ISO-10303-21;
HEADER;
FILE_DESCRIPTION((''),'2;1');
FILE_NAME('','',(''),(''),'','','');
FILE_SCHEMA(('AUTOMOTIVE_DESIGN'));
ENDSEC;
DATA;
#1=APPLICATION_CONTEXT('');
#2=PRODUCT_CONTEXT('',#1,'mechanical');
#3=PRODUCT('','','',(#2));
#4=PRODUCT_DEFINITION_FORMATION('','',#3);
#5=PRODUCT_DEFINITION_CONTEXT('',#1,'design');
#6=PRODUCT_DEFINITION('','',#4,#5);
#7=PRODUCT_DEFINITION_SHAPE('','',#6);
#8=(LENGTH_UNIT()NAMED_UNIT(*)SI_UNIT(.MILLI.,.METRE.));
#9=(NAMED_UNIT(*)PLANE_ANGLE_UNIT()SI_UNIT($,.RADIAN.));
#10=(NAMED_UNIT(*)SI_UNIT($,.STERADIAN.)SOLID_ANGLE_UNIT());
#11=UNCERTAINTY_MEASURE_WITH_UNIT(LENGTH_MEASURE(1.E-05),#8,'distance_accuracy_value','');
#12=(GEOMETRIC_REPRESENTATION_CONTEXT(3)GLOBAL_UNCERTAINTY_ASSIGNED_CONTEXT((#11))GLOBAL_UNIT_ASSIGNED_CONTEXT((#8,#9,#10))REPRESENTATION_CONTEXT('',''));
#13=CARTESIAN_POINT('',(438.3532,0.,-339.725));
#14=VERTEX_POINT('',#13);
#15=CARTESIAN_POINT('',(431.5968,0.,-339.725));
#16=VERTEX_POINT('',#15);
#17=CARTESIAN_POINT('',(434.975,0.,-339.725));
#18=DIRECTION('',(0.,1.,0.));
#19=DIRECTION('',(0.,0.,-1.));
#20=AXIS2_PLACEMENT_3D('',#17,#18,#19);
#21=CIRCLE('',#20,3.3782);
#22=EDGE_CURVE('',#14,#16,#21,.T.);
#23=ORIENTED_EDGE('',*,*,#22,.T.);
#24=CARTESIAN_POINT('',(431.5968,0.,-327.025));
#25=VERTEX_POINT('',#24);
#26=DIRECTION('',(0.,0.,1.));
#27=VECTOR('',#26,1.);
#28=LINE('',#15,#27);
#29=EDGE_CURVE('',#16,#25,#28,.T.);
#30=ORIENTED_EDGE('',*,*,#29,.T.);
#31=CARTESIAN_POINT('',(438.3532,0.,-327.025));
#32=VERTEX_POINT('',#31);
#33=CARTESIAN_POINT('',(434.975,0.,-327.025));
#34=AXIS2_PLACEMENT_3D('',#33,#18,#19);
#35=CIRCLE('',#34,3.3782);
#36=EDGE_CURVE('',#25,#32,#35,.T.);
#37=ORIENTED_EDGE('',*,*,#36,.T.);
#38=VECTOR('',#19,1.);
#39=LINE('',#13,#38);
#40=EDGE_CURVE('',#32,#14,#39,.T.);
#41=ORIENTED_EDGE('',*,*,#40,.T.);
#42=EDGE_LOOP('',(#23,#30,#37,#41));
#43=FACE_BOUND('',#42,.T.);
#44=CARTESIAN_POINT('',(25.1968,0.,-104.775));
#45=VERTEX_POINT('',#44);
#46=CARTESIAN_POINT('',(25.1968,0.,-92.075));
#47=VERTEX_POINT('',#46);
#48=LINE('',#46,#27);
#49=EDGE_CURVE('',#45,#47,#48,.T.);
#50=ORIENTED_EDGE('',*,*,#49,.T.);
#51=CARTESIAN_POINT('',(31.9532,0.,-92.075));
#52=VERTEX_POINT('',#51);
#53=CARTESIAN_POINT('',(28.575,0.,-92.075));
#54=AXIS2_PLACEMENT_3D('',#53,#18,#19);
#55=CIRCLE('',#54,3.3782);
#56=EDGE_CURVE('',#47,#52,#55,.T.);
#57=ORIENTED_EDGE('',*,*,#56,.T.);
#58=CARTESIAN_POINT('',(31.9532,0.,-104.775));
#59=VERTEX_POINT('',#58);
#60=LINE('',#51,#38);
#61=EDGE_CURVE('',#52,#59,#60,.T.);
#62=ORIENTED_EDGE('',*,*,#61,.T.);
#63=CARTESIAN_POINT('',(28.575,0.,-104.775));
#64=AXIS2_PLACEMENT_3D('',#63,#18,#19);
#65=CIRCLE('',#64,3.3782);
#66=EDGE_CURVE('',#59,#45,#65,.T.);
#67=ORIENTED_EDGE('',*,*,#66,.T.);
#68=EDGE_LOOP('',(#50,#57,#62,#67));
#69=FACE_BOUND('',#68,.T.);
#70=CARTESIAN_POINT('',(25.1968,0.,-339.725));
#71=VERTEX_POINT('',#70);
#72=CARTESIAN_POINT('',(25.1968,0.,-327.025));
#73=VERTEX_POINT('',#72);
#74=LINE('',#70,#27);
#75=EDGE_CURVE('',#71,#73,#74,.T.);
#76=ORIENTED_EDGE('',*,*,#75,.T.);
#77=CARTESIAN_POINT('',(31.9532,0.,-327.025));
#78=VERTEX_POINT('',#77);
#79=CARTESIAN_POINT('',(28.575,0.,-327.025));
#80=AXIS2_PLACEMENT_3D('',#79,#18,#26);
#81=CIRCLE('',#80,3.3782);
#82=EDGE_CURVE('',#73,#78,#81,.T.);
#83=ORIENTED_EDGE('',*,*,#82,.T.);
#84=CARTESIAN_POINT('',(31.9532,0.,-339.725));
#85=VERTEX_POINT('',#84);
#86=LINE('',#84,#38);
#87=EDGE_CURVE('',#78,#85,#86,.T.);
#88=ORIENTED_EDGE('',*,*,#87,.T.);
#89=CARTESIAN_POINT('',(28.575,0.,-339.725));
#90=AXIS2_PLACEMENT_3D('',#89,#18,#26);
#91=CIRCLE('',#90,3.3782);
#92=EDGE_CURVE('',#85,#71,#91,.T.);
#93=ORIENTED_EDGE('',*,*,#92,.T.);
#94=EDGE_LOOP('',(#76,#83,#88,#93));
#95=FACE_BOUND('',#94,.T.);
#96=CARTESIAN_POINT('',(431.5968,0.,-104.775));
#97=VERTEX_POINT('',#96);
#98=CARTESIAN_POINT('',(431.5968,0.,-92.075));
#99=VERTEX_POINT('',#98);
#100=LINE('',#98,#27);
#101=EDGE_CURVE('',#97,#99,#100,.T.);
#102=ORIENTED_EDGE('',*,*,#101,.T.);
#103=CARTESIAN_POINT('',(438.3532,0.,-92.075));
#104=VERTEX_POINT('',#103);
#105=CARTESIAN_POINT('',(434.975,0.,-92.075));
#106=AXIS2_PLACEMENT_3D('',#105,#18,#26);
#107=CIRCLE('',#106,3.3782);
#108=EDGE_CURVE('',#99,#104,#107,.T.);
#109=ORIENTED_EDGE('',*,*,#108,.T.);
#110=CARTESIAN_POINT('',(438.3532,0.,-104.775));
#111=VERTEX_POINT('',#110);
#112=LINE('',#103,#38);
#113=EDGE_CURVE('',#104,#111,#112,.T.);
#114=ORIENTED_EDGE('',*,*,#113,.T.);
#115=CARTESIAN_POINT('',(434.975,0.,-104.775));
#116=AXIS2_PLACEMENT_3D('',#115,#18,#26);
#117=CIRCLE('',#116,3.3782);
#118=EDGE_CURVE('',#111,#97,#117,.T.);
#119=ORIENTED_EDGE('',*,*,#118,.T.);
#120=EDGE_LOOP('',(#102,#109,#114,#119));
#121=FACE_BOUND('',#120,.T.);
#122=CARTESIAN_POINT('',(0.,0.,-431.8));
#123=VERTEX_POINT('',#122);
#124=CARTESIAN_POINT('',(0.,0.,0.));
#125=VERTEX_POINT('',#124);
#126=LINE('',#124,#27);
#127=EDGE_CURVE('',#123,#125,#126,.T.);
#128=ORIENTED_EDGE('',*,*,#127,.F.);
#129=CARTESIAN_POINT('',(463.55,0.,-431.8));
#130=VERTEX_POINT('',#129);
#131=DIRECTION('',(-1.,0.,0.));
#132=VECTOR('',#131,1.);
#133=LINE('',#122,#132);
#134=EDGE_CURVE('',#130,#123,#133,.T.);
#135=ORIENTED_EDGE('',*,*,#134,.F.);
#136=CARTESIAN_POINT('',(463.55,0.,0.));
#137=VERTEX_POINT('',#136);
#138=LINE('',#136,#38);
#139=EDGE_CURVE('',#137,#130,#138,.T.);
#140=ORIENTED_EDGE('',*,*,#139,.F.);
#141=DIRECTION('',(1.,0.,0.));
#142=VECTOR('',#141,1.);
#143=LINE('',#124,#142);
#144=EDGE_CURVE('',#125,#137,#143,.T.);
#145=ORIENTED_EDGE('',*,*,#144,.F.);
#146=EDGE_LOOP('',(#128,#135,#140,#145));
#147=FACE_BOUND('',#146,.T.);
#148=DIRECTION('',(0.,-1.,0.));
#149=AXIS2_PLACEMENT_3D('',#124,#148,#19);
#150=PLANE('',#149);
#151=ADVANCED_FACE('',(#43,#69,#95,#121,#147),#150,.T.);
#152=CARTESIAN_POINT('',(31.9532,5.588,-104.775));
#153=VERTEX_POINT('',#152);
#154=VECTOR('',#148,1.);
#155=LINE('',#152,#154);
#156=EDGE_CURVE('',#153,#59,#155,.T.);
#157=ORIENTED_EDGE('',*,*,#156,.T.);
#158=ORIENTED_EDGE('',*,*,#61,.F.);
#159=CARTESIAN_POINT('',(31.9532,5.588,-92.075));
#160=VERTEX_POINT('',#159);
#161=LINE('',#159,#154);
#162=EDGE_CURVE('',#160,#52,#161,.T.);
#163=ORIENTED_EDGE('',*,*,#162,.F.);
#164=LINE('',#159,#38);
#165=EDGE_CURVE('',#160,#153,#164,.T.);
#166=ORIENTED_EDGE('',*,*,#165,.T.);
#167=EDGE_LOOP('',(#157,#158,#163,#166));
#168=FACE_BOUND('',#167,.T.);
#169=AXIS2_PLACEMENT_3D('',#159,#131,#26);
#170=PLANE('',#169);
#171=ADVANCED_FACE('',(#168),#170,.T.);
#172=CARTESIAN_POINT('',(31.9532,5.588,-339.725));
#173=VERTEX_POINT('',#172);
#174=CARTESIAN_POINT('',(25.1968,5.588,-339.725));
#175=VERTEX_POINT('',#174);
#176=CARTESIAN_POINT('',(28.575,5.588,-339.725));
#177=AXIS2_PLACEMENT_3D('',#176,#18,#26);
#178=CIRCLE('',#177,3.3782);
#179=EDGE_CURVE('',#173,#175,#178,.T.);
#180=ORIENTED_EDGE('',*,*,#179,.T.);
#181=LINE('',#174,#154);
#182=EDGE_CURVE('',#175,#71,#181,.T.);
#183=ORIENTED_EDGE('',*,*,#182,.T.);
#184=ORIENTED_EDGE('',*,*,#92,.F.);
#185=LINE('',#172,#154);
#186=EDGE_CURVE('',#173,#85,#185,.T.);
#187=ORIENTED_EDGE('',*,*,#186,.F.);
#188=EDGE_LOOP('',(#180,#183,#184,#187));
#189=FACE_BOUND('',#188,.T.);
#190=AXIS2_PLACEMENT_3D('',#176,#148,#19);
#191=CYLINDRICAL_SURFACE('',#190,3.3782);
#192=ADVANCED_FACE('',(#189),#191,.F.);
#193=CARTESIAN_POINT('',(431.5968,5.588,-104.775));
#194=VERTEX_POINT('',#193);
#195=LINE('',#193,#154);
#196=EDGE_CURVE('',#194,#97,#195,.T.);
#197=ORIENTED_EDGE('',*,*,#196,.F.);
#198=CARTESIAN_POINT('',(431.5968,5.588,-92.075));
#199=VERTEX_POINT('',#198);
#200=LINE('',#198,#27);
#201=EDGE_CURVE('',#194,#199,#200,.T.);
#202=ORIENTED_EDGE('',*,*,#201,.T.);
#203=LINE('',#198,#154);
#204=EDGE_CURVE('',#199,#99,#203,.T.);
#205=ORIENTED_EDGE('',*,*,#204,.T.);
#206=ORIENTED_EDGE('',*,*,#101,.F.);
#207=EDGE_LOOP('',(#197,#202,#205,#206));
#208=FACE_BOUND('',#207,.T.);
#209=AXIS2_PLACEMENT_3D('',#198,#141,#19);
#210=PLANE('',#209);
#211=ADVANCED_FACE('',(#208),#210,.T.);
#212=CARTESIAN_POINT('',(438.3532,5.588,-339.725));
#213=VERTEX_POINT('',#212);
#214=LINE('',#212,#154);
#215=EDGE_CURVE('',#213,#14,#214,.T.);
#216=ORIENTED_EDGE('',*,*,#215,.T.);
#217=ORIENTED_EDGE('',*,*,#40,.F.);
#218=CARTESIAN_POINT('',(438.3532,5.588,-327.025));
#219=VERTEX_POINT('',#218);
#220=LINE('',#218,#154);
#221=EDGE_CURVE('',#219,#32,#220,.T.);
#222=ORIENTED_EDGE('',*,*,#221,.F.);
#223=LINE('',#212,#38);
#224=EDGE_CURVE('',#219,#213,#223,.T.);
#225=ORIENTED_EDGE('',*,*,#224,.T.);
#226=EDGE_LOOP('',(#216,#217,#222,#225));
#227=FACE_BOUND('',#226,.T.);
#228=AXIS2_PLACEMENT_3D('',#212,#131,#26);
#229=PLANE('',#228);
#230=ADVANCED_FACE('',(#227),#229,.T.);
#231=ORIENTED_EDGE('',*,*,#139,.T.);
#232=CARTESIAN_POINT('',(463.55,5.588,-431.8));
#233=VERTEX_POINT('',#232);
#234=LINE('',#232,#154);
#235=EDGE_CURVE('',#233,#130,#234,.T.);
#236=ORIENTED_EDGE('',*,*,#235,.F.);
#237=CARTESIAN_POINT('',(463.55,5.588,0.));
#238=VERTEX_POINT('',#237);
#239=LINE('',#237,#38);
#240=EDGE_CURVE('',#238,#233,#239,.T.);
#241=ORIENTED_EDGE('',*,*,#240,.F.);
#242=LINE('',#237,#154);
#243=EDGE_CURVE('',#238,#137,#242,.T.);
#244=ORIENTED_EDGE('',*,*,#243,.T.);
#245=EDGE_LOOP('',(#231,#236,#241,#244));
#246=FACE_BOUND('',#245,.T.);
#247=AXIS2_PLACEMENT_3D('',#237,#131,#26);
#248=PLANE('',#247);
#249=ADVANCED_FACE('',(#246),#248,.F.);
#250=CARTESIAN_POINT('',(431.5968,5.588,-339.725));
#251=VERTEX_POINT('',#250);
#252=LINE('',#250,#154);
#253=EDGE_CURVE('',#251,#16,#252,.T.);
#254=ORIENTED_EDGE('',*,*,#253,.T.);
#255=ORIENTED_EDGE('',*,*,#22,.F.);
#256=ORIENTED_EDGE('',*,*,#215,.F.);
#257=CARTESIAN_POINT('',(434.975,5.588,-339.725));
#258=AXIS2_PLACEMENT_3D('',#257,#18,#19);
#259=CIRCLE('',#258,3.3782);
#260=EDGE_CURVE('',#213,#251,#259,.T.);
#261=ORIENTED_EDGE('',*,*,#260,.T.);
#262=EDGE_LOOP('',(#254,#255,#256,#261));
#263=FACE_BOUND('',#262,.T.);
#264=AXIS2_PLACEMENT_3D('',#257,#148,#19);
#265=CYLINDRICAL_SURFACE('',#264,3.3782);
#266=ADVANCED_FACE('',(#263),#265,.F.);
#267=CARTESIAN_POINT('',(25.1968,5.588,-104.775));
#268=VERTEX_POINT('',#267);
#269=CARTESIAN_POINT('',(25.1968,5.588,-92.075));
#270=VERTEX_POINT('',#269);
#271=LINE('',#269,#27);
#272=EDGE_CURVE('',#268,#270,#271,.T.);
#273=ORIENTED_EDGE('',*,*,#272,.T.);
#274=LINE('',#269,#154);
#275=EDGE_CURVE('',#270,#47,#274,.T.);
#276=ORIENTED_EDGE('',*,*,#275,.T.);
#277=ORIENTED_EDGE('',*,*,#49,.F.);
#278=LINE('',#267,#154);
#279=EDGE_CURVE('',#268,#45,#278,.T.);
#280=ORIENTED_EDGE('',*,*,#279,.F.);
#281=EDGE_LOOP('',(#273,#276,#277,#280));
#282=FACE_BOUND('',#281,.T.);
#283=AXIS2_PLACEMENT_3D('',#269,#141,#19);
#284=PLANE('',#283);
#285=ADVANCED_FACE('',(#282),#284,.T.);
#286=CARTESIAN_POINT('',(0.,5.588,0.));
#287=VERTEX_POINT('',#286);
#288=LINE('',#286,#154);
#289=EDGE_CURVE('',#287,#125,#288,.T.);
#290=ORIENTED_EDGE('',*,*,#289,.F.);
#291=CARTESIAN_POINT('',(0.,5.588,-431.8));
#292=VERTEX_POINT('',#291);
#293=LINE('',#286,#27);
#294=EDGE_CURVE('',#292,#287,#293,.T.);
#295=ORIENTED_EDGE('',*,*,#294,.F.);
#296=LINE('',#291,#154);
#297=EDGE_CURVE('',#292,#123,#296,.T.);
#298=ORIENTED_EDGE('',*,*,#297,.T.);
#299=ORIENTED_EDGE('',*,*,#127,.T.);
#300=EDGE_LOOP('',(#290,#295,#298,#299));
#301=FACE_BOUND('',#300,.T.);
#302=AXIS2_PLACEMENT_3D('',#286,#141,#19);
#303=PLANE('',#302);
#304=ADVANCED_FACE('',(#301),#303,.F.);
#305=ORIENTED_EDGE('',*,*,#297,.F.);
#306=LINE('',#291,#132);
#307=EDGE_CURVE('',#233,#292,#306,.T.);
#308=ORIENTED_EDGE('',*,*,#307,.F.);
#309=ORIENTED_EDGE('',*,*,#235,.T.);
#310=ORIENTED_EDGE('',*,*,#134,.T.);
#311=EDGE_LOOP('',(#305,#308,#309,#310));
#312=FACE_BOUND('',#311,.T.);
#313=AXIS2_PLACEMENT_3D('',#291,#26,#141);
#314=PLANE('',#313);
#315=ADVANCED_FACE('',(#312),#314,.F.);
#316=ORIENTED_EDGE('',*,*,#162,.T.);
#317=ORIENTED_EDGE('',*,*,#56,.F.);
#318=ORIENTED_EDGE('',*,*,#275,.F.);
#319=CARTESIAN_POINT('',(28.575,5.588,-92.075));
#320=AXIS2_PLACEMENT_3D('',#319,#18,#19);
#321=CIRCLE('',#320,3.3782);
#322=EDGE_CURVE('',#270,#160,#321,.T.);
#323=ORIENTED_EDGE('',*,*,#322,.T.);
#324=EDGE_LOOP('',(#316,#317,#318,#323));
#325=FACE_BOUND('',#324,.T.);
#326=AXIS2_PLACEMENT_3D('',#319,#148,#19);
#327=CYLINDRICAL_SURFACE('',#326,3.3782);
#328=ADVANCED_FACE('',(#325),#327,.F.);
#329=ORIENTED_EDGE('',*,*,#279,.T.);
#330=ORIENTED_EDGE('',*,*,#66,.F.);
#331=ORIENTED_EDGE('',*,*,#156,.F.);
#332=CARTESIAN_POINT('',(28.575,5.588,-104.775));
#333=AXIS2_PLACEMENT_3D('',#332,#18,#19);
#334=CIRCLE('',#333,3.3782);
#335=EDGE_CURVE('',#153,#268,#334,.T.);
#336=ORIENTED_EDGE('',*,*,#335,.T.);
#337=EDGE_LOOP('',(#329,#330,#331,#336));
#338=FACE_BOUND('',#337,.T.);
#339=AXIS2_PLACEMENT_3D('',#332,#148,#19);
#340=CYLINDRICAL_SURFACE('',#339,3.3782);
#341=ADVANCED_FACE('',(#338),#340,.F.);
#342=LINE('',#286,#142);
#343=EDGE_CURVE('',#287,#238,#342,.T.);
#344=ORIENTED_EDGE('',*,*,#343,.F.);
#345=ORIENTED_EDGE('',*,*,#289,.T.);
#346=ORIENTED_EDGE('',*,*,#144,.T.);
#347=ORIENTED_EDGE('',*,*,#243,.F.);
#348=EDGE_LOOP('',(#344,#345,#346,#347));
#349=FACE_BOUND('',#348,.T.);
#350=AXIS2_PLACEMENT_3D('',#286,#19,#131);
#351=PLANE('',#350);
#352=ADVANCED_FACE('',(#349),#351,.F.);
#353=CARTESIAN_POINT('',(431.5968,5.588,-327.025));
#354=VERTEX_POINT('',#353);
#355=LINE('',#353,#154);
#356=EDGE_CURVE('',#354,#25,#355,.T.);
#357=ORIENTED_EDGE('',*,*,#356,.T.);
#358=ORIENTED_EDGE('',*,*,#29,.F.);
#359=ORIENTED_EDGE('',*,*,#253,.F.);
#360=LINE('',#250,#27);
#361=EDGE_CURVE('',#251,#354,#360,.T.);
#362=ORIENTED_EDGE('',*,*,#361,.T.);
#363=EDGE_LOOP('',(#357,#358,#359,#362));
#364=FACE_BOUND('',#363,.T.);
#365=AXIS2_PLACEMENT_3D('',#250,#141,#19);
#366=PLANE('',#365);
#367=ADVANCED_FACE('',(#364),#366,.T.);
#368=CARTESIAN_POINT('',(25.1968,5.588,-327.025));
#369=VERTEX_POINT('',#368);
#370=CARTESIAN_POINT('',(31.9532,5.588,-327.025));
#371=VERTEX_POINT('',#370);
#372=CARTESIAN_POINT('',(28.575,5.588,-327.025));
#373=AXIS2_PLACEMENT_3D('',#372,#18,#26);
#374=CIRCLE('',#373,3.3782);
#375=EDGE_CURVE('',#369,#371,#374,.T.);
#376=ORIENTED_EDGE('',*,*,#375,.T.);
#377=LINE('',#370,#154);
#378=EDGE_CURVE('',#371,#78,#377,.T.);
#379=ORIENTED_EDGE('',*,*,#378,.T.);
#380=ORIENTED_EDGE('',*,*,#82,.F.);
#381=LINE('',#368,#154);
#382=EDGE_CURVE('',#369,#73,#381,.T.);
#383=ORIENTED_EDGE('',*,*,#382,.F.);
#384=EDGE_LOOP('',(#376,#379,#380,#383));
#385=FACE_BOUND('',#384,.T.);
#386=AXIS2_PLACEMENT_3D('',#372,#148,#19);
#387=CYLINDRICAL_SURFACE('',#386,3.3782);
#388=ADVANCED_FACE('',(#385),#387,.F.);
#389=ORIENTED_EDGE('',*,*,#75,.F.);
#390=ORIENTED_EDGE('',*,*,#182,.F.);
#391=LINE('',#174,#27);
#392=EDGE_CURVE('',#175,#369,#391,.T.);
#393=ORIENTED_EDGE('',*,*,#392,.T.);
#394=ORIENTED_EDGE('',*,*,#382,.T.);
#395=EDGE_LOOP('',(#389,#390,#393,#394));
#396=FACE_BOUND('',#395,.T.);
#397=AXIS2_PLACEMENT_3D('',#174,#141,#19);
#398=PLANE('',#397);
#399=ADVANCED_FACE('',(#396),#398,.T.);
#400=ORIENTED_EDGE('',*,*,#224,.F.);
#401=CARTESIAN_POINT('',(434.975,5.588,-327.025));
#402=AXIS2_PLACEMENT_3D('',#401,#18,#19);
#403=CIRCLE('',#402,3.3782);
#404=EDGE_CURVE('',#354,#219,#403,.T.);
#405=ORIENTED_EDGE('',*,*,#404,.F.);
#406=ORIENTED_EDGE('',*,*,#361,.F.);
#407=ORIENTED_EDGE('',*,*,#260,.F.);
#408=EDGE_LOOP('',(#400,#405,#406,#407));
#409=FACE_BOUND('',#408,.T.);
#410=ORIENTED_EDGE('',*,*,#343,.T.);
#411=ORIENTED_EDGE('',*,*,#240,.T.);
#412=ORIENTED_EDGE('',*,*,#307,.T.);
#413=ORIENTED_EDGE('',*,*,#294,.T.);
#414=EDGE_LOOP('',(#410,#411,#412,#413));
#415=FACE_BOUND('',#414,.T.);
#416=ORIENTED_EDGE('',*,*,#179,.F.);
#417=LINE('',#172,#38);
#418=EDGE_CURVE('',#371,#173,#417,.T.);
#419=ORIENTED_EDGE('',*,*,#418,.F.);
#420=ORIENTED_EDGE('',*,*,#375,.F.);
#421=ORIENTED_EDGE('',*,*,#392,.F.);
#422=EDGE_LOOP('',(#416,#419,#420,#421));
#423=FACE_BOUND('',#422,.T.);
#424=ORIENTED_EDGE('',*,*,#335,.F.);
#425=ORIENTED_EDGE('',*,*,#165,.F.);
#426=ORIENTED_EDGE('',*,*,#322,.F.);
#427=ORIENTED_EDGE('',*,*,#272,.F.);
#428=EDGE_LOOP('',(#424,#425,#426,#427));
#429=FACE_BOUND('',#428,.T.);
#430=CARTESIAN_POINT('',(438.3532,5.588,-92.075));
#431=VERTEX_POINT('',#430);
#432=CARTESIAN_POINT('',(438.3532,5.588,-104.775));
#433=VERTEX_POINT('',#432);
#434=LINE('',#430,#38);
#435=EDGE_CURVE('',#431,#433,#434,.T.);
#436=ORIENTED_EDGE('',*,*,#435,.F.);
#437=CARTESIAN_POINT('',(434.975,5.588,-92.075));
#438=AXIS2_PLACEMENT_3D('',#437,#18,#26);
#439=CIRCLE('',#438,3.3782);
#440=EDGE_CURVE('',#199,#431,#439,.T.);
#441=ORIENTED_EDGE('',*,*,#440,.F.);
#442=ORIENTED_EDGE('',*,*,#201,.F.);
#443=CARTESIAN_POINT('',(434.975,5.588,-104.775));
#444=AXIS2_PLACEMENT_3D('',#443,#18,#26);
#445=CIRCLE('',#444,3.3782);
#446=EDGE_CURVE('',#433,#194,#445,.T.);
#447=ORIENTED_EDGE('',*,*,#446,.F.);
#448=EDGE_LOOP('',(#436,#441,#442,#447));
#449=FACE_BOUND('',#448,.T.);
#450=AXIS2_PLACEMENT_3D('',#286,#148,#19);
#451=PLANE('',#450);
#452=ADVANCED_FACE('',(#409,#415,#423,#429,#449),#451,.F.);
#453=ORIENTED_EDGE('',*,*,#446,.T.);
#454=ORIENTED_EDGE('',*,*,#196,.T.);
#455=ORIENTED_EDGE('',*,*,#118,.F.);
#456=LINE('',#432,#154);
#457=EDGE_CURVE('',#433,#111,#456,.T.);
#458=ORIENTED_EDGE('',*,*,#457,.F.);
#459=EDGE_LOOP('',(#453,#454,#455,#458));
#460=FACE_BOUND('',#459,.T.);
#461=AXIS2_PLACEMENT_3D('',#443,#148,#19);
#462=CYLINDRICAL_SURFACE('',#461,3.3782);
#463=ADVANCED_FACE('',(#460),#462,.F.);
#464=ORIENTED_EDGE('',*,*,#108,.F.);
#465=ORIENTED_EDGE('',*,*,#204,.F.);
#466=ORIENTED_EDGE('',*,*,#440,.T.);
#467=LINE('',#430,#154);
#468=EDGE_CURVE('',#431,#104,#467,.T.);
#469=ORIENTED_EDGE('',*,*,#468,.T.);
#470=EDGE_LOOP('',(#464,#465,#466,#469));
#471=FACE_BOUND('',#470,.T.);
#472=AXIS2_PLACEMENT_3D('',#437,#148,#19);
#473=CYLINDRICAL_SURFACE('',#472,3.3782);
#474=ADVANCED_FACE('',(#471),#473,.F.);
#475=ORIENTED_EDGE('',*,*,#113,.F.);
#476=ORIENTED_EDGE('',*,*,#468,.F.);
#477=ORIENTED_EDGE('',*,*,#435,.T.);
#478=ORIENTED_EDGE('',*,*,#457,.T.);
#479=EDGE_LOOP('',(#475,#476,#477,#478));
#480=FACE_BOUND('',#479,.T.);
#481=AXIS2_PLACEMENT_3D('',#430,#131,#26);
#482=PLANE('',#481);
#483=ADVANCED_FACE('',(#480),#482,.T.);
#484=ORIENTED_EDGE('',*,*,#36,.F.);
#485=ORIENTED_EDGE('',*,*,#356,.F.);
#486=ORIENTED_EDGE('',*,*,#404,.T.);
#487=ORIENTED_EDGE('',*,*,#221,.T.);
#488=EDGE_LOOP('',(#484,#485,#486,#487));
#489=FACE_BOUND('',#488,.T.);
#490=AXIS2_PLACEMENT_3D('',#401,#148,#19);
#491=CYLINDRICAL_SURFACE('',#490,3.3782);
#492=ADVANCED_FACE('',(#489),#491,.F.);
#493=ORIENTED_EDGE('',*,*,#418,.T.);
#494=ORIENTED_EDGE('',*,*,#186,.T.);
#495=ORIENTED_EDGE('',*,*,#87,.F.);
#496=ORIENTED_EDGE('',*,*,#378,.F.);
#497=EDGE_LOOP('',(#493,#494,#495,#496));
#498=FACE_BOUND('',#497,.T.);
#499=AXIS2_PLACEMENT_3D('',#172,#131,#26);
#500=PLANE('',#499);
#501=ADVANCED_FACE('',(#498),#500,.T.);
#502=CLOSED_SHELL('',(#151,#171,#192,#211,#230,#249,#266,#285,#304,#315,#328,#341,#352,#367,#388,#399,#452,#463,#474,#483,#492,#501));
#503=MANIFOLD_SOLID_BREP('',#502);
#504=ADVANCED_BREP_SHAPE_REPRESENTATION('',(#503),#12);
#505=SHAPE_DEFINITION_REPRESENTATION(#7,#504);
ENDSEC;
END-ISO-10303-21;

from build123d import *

# Parameters (mm, degrees)
SKETCH1_W           = 463.55
SKETCH1_H           = 431.8
BOSS_EXTRUDE1_DEPTH = 5.588


with BuildPart() as part:
    # Sketch1 → Boss-Extrude1 (new body)
    with BuildSketch(Plane(origin=(0, 0, 0), x_dir=(1, 0, 0), z_dir=(0, 1, 0))):
        with Locations((231.775, 215.9)):
            Rectangle(SKETCH1_W, SKETCH1_H)
        with BuildLine():
            Line((31.9532, 339.725), (31.9532, 327.025))
            ThreePointArc((31.9532, 327.025), (28.575, 323.6468), (25.1968, 327.025))
            Line((25.1968, 327.025), (25.1968, 339.725))
            ThreePointArc((25.1968, 339.725), (28.575, 343.1032), (31.9532, 339.725))
        make_face(mode=Mode.SUBTRACT)
        with BuildLine():
            Line((31.9532, 92.075), (31.9532, 104.775))
            ThreePointArc((31.9532, 104.775), (28.575, 108.1532), (25.1968, 104.775))
            Line((25.1968, 104.775), (25.1968, 92.075))
            ThreePointArc((25.1968, 92.075), (28.575, 88.6968), (31.9532, 92.075))
        make_face(mode=Mode.SUBTRACT)
        with BuildLine():
            Line((431.5968, 92.075), (431.5968, 104.775))
            ThreePointArc((431.5968, 104.775), (434.975, 108.1532), (438.3532, 104.775))
            Line((438.3532, 104.775), (438.3532, 92.075))
            ThreePointArc((438.3532, 92.075), (434.975, 88.6968), (431.5968, 92.075))
        make_face(mode=Mode.SUBTRACT)
        with BuildLine():
            Line((431.5968, 339.725), (431.5968, 327.025))
            ThreePointArc((431.5968, 327.025), (434.975, 323.6468), (438.3532, 327.025))
            Line((438.3532, 327.025), (438.3532, 339.725))
            ThreePointArc((438.3532, 339.725), (434.975, 343.1032), (431.5968, 339.725))
        make_face(mode=Mode.SUBTRACT)
    extrude(amount=BOSS_EXTRUDE1_DEPTH)


solid = part.part
